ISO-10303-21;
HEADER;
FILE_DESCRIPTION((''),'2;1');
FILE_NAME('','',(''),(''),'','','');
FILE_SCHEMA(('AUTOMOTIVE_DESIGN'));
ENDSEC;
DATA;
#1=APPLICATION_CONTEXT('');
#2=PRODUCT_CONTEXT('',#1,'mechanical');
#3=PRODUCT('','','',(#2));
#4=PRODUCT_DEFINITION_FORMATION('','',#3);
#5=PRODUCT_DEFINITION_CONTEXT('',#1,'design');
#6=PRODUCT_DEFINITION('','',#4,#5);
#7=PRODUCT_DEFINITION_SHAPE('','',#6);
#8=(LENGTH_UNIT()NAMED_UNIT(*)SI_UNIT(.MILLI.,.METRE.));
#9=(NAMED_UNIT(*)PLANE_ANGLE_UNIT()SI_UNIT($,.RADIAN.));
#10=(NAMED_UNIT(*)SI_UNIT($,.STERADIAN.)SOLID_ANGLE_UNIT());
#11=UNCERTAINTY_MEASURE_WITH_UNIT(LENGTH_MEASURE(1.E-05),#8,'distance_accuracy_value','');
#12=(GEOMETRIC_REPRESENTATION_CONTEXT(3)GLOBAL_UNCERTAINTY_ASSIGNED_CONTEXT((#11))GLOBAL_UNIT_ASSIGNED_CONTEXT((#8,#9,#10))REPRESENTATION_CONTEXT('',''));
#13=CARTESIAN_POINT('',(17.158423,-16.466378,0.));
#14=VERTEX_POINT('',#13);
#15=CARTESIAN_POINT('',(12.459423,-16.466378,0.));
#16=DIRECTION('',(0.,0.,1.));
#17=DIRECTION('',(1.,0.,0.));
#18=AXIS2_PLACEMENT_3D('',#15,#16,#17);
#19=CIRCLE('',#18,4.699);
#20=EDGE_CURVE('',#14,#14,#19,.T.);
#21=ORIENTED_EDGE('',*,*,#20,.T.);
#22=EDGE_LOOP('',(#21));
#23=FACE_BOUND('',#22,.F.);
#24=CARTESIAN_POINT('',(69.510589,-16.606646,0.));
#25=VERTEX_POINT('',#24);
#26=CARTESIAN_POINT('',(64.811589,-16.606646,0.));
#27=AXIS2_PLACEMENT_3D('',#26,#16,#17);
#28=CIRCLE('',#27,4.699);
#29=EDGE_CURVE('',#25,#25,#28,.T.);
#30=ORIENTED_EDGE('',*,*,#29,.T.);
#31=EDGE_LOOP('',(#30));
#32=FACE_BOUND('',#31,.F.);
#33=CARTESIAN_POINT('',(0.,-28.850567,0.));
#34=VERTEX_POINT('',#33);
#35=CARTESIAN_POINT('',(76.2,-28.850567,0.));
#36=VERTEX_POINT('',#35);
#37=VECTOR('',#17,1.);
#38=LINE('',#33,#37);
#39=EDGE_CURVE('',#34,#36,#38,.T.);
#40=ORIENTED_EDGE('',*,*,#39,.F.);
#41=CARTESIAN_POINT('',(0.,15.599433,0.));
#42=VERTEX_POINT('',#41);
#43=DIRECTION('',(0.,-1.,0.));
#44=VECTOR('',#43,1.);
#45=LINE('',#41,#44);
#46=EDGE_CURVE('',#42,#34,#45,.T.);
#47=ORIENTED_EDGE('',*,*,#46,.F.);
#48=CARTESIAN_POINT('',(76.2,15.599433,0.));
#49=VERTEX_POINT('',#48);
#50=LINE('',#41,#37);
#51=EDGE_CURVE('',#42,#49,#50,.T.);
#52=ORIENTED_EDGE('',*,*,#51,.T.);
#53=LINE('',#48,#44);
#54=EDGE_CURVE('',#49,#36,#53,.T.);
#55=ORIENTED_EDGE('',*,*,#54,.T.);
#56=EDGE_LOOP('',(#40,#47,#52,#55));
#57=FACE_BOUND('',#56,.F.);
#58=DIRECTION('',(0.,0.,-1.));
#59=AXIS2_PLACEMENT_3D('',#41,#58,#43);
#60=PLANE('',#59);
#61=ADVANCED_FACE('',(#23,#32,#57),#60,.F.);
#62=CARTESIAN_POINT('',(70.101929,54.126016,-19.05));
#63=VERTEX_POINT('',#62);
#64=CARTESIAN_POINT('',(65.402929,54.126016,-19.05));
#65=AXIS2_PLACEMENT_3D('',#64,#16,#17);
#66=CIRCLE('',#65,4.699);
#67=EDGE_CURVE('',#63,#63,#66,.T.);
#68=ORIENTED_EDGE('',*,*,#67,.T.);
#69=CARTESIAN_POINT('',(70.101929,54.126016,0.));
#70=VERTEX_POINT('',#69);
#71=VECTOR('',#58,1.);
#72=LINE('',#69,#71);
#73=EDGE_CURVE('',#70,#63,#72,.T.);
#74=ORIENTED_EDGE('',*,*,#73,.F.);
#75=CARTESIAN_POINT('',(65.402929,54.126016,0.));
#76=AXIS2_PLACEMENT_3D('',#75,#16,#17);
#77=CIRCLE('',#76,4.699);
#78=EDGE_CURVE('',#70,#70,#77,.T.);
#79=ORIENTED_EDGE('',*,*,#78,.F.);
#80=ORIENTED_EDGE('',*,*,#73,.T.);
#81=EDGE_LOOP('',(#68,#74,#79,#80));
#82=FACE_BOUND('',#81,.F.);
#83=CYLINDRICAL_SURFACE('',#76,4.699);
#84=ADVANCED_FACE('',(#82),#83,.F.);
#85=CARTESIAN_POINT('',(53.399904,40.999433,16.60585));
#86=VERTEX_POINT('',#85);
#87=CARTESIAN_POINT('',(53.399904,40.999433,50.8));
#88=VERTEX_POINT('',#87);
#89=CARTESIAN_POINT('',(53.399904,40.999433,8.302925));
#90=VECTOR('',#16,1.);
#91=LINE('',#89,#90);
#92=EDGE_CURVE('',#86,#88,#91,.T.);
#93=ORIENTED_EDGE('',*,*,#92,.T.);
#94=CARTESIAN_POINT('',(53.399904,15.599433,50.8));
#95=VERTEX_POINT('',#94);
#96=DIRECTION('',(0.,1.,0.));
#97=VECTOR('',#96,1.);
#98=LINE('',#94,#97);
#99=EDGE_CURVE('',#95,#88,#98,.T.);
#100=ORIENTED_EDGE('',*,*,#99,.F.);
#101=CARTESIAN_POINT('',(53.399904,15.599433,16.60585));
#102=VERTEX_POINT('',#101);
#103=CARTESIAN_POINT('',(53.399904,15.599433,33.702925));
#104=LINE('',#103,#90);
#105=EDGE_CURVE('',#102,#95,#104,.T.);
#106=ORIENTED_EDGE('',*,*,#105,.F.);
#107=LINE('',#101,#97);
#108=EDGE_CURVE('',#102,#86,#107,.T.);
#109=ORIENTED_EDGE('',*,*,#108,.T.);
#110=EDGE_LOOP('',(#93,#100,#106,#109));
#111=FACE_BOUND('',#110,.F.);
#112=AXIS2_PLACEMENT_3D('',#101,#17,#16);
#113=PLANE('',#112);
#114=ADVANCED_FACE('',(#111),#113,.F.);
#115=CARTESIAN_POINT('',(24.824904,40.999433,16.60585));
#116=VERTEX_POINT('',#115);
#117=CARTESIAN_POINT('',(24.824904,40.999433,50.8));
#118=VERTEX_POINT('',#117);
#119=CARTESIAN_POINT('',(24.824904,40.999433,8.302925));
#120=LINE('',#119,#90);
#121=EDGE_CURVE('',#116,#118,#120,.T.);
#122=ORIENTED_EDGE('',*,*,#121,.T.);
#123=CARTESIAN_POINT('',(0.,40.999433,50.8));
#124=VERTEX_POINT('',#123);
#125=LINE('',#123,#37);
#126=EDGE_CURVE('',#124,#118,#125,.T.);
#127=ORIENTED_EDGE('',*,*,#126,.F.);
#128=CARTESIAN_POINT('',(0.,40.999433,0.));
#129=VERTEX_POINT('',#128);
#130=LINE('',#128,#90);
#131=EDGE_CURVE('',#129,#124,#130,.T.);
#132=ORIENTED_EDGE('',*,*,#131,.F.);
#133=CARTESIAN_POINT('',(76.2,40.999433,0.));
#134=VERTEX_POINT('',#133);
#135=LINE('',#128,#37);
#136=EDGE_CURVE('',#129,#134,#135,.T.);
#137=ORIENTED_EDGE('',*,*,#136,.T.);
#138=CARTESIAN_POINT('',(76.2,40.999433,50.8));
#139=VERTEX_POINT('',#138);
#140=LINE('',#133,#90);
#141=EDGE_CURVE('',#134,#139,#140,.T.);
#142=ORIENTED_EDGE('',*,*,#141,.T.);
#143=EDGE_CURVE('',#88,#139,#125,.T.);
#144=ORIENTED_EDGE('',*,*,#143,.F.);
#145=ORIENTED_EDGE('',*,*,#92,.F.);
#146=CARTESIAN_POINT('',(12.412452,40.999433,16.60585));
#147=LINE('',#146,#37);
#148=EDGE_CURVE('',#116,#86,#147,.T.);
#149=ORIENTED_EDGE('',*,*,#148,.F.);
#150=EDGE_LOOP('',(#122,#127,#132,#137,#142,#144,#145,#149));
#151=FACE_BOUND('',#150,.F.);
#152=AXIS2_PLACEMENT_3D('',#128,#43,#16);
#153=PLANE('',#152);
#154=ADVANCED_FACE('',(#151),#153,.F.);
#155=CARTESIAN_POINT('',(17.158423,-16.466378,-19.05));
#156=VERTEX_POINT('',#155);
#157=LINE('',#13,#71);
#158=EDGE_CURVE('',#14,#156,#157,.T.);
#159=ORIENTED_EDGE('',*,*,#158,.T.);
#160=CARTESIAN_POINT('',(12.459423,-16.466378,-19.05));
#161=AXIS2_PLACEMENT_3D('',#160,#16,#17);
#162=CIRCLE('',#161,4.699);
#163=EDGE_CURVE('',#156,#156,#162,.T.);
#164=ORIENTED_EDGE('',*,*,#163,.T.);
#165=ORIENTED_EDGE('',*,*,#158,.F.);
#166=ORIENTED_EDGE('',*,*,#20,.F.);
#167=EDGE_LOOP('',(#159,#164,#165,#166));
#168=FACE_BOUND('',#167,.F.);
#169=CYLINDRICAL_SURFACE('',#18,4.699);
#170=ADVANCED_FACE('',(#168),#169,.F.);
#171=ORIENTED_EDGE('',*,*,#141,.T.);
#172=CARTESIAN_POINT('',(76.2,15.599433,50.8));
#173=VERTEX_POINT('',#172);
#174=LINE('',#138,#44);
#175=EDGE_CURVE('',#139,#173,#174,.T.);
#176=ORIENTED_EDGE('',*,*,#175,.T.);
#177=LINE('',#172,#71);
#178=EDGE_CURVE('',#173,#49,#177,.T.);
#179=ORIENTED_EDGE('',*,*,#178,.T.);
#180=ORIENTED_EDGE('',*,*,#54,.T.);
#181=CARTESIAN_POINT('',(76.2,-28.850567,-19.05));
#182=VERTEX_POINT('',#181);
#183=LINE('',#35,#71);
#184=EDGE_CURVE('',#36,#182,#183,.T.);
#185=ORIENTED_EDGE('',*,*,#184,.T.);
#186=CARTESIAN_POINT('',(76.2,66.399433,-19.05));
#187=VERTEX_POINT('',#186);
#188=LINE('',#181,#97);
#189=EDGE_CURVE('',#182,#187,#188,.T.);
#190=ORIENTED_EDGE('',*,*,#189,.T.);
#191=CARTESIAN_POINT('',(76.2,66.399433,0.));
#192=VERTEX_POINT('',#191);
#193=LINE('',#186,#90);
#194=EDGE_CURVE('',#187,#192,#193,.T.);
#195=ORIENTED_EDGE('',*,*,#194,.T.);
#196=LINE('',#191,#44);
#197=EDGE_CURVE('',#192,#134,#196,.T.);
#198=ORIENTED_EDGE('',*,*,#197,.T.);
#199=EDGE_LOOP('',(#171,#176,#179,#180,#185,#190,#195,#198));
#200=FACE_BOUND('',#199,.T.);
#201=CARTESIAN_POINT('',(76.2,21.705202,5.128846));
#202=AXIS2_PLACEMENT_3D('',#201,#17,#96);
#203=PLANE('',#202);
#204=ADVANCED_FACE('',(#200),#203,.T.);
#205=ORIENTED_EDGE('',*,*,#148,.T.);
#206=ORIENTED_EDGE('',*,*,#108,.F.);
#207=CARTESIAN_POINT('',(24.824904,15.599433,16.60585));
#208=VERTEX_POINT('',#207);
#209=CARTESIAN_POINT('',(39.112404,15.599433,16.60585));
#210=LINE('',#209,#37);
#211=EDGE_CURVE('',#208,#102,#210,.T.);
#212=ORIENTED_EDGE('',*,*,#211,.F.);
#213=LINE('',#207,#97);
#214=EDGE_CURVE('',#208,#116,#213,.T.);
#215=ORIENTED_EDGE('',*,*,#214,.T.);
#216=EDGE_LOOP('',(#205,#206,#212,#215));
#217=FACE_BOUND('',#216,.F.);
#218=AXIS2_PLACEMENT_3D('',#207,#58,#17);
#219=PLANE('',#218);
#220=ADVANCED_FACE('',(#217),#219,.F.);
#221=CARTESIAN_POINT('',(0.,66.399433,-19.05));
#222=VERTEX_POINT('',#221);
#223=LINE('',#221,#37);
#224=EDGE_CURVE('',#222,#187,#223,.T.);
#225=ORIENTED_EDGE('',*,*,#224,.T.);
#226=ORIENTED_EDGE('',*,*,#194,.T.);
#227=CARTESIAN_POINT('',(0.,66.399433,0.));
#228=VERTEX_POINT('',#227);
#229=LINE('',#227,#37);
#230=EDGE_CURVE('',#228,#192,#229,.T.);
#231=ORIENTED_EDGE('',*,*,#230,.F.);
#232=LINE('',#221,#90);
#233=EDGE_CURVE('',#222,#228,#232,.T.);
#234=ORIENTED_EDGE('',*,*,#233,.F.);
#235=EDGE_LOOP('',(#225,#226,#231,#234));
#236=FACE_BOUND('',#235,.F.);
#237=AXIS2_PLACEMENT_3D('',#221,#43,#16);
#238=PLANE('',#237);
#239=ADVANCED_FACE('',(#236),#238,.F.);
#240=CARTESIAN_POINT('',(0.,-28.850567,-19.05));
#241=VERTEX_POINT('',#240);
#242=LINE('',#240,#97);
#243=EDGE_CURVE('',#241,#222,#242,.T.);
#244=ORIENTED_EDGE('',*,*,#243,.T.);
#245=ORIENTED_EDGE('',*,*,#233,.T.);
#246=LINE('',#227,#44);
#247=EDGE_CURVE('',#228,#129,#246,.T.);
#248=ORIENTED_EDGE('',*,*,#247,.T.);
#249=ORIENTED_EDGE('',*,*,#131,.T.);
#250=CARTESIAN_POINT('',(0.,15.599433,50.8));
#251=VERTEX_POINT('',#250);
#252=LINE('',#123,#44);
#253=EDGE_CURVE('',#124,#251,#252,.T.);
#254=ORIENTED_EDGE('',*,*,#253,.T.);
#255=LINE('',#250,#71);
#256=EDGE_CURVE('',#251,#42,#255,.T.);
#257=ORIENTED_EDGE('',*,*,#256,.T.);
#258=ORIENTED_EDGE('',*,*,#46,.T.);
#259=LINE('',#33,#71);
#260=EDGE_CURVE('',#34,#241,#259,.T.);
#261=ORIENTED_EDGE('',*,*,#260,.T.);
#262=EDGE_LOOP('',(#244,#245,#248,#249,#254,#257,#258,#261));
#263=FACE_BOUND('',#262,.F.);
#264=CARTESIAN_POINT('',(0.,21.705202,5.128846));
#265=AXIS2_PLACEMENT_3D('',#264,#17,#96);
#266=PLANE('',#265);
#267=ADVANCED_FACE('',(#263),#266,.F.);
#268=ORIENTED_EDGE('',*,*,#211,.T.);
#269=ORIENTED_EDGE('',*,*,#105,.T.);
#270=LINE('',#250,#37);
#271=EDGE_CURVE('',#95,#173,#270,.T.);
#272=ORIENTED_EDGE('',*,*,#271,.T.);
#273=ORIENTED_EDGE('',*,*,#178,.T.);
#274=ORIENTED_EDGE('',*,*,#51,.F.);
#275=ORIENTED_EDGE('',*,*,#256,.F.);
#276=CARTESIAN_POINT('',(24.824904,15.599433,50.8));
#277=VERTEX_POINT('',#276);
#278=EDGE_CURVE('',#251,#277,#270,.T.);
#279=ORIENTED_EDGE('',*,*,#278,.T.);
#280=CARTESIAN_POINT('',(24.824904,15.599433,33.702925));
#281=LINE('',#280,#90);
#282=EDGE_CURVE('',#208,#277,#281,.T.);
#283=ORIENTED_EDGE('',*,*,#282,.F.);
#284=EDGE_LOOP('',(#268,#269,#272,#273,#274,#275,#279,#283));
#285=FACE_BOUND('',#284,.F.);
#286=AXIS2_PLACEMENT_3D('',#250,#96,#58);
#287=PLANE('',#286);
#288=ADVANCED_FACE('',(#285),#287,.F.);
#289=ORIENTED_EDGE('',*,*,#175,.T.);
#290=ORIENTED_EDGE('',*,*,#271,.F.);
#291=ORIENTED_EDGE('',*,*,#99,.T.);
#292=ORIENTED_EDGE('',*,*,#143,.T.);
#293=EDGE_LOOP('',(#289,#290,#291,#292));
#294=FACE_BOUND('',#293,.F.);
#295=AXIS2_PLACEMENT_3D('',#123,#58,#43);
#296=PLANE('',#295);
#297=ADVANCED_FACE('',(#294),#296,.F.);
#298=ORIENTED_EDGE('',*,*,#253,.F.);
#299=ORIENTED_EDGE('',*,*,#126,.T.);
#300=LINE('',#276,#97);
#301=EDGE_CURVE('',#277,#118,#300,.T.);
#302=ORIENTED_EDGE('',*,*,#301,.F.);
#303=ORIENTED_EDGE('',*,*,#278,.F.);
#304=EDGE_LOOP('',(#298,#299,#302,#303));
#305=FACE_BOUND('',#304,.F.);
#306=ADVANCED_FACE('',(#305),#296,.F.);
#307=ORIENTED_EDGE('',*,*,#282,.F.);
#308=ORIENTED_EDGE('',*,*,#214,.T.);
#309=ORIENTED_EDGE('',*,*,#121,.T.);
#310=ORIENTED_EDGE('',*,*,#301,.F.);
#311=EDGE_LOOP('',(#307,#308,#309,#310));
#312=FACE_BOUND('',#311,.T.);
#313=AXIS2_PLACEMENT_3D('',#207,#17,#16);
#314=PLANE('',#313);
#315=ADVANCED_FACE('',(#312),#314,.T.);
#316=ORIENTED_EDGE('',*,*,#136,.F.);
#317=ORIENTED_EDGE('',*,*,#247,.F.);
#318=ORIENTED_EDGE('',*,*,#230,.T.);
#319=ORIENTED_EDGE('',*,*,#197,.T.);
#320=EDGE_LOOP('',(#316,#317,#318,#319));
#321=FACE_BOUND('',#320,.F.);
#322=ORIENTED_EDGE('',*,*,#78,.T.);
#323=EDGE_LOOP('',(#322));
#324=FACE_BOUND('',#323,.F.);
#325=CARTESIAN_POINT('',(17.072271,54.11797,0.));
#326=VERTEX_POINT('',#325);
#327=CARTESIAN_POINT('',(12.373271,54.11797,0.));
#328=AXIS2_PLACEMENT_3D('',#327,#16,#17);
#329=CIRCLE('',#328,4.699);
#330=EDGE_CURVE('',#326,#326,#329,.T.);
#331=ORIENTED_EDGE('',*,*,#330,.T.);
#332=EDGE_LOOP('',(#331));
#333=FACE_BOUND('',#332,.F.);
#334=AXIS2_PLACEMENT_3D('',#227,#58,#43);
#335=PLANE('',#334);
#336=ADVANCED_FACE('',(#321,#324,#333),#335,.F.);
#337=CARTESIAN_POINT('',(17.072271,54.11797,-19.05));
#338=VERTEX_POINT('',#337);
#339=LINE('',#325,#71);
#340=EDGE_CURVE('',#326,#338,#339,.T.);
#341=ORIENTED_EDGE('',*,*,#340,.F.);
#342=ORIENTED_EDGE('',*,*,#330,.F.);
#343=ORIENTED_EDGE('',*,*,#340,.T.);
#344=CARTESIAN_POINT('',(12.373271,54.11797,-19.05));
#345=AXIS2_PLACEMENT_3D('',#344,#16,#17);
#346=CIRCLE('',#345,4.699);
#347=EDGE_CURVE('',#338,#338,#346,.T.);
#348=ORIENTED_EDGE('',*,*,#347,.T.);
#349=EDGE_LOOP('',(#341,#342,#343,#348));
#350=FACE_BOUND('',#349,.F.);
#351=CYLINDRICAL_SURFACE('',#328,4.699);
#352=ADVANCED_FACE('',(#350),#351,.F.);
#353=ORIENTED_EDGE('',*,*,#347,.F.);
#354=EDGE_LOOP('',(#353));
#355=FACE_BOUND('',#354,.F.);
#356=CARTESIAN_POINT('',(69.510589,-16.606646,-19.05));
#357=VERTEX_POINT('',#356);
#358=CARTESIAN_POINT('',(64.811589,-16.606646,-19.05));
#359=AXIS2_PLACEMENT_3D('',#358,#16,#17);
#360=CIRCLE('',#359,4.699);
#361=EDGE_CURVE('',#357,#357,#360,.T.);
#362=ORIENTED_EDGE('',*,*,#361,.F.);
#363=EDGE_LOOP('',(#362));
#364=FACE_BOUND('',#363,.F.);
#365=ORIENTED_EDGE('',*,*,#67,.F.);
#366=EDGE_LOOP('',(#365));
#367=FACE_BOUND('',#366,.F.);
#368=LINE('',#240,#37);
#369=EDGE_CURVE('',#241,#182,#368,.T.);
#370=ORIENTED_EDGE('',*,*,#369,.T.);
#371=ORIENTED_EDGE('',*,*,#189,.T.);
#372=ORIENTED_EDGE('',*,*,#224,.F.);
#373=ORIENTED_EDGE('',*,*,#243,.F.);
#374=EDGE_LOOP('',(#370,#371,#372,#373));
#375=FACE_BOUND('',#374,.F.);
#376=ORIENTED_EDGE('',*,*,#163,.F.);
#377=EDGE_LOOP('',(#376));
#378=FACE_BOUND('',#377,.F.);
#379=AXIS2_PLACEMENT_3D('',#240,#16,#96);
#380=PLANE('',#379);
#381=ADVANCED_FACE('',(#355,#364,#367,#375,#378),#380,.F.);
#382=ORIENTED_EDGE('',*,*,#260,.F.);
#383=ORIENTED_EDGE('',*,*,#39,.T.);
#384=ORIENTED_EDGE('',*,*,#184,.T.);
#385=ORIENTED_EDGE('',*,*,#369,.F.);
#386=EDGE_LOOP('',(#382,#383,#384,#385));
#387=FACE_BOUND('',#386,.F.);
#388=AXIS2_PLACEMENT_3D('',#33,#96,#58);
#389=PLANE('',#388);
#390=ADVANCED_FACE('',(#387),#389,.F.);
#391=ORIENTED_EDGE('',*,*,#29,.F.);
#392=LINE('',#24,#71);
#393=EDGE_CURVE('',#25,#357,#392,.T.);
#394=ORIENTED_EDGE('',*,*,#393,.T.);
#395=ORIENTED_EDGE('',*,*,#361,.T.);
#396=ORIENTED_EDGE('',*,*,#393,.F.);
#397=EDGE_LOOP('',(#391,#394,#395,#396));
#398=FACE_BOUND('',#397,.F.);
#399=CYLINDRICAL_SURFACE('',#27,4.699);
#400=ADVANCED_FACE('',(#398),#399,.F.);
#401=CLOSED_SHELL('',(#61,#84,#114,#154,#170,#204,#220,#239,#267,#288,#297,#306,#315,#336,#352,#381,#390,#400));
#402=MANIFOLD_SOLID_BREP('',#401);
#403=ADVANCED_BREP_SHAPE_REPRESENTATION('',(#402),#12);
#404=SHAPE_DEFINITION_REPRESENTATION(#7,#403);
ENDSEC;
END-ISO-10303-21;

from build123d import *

# Parameters (mm, degrees)
F1_DEPTH = 76.2
F2_W     = 28.575
F2_H     = 34.19415
F3_DEPTH = 33.782
F4_R     = 4.699
F5_DEPTH = 53.594


with BuildPart() as f1:
    # F0 (on Right) → F1 (new body)
    with BuildSketch(Plane.YZ):
        Polygon((-28.850567, 0), (-28.850567, -19.05), (66.399433, -19.05), (66.399433, 0), (40.999433, 0), (40.999433, 50.8), (15.599433, 50.8), (15.599433, 0), align=None)
    extrude(amount=F1_DEPTH)

    # F2 (on face) → F3 (cut)
    with BuildSketch(Plane.XZ.offset(-15.599433)):
        with Locations((39.112404, 33.702925)):
            Rectangle(F2_W, F2_H)
    extrude(amount=-F3_DEPTH, mode=Mode.SUBTRACT)

    # F4 (on face) → F5 (cut)
    with BuildSketch(Plane.XY):
        with Locations((12.373271, 54.11797)):
            Circle(F4_R)
        with Locations((65.402929, 54.126016)):
            Circle(F4_R)
        with Locations((12.459423, -16.466378)):
            Circle(F4_R)
        with Locations((64.811589, -16.606646)):
            Circle(F4_R)
    extrude(amount=-F5_DEPTH, mode=Mode.SUBTRACT)


solid = f1.part
